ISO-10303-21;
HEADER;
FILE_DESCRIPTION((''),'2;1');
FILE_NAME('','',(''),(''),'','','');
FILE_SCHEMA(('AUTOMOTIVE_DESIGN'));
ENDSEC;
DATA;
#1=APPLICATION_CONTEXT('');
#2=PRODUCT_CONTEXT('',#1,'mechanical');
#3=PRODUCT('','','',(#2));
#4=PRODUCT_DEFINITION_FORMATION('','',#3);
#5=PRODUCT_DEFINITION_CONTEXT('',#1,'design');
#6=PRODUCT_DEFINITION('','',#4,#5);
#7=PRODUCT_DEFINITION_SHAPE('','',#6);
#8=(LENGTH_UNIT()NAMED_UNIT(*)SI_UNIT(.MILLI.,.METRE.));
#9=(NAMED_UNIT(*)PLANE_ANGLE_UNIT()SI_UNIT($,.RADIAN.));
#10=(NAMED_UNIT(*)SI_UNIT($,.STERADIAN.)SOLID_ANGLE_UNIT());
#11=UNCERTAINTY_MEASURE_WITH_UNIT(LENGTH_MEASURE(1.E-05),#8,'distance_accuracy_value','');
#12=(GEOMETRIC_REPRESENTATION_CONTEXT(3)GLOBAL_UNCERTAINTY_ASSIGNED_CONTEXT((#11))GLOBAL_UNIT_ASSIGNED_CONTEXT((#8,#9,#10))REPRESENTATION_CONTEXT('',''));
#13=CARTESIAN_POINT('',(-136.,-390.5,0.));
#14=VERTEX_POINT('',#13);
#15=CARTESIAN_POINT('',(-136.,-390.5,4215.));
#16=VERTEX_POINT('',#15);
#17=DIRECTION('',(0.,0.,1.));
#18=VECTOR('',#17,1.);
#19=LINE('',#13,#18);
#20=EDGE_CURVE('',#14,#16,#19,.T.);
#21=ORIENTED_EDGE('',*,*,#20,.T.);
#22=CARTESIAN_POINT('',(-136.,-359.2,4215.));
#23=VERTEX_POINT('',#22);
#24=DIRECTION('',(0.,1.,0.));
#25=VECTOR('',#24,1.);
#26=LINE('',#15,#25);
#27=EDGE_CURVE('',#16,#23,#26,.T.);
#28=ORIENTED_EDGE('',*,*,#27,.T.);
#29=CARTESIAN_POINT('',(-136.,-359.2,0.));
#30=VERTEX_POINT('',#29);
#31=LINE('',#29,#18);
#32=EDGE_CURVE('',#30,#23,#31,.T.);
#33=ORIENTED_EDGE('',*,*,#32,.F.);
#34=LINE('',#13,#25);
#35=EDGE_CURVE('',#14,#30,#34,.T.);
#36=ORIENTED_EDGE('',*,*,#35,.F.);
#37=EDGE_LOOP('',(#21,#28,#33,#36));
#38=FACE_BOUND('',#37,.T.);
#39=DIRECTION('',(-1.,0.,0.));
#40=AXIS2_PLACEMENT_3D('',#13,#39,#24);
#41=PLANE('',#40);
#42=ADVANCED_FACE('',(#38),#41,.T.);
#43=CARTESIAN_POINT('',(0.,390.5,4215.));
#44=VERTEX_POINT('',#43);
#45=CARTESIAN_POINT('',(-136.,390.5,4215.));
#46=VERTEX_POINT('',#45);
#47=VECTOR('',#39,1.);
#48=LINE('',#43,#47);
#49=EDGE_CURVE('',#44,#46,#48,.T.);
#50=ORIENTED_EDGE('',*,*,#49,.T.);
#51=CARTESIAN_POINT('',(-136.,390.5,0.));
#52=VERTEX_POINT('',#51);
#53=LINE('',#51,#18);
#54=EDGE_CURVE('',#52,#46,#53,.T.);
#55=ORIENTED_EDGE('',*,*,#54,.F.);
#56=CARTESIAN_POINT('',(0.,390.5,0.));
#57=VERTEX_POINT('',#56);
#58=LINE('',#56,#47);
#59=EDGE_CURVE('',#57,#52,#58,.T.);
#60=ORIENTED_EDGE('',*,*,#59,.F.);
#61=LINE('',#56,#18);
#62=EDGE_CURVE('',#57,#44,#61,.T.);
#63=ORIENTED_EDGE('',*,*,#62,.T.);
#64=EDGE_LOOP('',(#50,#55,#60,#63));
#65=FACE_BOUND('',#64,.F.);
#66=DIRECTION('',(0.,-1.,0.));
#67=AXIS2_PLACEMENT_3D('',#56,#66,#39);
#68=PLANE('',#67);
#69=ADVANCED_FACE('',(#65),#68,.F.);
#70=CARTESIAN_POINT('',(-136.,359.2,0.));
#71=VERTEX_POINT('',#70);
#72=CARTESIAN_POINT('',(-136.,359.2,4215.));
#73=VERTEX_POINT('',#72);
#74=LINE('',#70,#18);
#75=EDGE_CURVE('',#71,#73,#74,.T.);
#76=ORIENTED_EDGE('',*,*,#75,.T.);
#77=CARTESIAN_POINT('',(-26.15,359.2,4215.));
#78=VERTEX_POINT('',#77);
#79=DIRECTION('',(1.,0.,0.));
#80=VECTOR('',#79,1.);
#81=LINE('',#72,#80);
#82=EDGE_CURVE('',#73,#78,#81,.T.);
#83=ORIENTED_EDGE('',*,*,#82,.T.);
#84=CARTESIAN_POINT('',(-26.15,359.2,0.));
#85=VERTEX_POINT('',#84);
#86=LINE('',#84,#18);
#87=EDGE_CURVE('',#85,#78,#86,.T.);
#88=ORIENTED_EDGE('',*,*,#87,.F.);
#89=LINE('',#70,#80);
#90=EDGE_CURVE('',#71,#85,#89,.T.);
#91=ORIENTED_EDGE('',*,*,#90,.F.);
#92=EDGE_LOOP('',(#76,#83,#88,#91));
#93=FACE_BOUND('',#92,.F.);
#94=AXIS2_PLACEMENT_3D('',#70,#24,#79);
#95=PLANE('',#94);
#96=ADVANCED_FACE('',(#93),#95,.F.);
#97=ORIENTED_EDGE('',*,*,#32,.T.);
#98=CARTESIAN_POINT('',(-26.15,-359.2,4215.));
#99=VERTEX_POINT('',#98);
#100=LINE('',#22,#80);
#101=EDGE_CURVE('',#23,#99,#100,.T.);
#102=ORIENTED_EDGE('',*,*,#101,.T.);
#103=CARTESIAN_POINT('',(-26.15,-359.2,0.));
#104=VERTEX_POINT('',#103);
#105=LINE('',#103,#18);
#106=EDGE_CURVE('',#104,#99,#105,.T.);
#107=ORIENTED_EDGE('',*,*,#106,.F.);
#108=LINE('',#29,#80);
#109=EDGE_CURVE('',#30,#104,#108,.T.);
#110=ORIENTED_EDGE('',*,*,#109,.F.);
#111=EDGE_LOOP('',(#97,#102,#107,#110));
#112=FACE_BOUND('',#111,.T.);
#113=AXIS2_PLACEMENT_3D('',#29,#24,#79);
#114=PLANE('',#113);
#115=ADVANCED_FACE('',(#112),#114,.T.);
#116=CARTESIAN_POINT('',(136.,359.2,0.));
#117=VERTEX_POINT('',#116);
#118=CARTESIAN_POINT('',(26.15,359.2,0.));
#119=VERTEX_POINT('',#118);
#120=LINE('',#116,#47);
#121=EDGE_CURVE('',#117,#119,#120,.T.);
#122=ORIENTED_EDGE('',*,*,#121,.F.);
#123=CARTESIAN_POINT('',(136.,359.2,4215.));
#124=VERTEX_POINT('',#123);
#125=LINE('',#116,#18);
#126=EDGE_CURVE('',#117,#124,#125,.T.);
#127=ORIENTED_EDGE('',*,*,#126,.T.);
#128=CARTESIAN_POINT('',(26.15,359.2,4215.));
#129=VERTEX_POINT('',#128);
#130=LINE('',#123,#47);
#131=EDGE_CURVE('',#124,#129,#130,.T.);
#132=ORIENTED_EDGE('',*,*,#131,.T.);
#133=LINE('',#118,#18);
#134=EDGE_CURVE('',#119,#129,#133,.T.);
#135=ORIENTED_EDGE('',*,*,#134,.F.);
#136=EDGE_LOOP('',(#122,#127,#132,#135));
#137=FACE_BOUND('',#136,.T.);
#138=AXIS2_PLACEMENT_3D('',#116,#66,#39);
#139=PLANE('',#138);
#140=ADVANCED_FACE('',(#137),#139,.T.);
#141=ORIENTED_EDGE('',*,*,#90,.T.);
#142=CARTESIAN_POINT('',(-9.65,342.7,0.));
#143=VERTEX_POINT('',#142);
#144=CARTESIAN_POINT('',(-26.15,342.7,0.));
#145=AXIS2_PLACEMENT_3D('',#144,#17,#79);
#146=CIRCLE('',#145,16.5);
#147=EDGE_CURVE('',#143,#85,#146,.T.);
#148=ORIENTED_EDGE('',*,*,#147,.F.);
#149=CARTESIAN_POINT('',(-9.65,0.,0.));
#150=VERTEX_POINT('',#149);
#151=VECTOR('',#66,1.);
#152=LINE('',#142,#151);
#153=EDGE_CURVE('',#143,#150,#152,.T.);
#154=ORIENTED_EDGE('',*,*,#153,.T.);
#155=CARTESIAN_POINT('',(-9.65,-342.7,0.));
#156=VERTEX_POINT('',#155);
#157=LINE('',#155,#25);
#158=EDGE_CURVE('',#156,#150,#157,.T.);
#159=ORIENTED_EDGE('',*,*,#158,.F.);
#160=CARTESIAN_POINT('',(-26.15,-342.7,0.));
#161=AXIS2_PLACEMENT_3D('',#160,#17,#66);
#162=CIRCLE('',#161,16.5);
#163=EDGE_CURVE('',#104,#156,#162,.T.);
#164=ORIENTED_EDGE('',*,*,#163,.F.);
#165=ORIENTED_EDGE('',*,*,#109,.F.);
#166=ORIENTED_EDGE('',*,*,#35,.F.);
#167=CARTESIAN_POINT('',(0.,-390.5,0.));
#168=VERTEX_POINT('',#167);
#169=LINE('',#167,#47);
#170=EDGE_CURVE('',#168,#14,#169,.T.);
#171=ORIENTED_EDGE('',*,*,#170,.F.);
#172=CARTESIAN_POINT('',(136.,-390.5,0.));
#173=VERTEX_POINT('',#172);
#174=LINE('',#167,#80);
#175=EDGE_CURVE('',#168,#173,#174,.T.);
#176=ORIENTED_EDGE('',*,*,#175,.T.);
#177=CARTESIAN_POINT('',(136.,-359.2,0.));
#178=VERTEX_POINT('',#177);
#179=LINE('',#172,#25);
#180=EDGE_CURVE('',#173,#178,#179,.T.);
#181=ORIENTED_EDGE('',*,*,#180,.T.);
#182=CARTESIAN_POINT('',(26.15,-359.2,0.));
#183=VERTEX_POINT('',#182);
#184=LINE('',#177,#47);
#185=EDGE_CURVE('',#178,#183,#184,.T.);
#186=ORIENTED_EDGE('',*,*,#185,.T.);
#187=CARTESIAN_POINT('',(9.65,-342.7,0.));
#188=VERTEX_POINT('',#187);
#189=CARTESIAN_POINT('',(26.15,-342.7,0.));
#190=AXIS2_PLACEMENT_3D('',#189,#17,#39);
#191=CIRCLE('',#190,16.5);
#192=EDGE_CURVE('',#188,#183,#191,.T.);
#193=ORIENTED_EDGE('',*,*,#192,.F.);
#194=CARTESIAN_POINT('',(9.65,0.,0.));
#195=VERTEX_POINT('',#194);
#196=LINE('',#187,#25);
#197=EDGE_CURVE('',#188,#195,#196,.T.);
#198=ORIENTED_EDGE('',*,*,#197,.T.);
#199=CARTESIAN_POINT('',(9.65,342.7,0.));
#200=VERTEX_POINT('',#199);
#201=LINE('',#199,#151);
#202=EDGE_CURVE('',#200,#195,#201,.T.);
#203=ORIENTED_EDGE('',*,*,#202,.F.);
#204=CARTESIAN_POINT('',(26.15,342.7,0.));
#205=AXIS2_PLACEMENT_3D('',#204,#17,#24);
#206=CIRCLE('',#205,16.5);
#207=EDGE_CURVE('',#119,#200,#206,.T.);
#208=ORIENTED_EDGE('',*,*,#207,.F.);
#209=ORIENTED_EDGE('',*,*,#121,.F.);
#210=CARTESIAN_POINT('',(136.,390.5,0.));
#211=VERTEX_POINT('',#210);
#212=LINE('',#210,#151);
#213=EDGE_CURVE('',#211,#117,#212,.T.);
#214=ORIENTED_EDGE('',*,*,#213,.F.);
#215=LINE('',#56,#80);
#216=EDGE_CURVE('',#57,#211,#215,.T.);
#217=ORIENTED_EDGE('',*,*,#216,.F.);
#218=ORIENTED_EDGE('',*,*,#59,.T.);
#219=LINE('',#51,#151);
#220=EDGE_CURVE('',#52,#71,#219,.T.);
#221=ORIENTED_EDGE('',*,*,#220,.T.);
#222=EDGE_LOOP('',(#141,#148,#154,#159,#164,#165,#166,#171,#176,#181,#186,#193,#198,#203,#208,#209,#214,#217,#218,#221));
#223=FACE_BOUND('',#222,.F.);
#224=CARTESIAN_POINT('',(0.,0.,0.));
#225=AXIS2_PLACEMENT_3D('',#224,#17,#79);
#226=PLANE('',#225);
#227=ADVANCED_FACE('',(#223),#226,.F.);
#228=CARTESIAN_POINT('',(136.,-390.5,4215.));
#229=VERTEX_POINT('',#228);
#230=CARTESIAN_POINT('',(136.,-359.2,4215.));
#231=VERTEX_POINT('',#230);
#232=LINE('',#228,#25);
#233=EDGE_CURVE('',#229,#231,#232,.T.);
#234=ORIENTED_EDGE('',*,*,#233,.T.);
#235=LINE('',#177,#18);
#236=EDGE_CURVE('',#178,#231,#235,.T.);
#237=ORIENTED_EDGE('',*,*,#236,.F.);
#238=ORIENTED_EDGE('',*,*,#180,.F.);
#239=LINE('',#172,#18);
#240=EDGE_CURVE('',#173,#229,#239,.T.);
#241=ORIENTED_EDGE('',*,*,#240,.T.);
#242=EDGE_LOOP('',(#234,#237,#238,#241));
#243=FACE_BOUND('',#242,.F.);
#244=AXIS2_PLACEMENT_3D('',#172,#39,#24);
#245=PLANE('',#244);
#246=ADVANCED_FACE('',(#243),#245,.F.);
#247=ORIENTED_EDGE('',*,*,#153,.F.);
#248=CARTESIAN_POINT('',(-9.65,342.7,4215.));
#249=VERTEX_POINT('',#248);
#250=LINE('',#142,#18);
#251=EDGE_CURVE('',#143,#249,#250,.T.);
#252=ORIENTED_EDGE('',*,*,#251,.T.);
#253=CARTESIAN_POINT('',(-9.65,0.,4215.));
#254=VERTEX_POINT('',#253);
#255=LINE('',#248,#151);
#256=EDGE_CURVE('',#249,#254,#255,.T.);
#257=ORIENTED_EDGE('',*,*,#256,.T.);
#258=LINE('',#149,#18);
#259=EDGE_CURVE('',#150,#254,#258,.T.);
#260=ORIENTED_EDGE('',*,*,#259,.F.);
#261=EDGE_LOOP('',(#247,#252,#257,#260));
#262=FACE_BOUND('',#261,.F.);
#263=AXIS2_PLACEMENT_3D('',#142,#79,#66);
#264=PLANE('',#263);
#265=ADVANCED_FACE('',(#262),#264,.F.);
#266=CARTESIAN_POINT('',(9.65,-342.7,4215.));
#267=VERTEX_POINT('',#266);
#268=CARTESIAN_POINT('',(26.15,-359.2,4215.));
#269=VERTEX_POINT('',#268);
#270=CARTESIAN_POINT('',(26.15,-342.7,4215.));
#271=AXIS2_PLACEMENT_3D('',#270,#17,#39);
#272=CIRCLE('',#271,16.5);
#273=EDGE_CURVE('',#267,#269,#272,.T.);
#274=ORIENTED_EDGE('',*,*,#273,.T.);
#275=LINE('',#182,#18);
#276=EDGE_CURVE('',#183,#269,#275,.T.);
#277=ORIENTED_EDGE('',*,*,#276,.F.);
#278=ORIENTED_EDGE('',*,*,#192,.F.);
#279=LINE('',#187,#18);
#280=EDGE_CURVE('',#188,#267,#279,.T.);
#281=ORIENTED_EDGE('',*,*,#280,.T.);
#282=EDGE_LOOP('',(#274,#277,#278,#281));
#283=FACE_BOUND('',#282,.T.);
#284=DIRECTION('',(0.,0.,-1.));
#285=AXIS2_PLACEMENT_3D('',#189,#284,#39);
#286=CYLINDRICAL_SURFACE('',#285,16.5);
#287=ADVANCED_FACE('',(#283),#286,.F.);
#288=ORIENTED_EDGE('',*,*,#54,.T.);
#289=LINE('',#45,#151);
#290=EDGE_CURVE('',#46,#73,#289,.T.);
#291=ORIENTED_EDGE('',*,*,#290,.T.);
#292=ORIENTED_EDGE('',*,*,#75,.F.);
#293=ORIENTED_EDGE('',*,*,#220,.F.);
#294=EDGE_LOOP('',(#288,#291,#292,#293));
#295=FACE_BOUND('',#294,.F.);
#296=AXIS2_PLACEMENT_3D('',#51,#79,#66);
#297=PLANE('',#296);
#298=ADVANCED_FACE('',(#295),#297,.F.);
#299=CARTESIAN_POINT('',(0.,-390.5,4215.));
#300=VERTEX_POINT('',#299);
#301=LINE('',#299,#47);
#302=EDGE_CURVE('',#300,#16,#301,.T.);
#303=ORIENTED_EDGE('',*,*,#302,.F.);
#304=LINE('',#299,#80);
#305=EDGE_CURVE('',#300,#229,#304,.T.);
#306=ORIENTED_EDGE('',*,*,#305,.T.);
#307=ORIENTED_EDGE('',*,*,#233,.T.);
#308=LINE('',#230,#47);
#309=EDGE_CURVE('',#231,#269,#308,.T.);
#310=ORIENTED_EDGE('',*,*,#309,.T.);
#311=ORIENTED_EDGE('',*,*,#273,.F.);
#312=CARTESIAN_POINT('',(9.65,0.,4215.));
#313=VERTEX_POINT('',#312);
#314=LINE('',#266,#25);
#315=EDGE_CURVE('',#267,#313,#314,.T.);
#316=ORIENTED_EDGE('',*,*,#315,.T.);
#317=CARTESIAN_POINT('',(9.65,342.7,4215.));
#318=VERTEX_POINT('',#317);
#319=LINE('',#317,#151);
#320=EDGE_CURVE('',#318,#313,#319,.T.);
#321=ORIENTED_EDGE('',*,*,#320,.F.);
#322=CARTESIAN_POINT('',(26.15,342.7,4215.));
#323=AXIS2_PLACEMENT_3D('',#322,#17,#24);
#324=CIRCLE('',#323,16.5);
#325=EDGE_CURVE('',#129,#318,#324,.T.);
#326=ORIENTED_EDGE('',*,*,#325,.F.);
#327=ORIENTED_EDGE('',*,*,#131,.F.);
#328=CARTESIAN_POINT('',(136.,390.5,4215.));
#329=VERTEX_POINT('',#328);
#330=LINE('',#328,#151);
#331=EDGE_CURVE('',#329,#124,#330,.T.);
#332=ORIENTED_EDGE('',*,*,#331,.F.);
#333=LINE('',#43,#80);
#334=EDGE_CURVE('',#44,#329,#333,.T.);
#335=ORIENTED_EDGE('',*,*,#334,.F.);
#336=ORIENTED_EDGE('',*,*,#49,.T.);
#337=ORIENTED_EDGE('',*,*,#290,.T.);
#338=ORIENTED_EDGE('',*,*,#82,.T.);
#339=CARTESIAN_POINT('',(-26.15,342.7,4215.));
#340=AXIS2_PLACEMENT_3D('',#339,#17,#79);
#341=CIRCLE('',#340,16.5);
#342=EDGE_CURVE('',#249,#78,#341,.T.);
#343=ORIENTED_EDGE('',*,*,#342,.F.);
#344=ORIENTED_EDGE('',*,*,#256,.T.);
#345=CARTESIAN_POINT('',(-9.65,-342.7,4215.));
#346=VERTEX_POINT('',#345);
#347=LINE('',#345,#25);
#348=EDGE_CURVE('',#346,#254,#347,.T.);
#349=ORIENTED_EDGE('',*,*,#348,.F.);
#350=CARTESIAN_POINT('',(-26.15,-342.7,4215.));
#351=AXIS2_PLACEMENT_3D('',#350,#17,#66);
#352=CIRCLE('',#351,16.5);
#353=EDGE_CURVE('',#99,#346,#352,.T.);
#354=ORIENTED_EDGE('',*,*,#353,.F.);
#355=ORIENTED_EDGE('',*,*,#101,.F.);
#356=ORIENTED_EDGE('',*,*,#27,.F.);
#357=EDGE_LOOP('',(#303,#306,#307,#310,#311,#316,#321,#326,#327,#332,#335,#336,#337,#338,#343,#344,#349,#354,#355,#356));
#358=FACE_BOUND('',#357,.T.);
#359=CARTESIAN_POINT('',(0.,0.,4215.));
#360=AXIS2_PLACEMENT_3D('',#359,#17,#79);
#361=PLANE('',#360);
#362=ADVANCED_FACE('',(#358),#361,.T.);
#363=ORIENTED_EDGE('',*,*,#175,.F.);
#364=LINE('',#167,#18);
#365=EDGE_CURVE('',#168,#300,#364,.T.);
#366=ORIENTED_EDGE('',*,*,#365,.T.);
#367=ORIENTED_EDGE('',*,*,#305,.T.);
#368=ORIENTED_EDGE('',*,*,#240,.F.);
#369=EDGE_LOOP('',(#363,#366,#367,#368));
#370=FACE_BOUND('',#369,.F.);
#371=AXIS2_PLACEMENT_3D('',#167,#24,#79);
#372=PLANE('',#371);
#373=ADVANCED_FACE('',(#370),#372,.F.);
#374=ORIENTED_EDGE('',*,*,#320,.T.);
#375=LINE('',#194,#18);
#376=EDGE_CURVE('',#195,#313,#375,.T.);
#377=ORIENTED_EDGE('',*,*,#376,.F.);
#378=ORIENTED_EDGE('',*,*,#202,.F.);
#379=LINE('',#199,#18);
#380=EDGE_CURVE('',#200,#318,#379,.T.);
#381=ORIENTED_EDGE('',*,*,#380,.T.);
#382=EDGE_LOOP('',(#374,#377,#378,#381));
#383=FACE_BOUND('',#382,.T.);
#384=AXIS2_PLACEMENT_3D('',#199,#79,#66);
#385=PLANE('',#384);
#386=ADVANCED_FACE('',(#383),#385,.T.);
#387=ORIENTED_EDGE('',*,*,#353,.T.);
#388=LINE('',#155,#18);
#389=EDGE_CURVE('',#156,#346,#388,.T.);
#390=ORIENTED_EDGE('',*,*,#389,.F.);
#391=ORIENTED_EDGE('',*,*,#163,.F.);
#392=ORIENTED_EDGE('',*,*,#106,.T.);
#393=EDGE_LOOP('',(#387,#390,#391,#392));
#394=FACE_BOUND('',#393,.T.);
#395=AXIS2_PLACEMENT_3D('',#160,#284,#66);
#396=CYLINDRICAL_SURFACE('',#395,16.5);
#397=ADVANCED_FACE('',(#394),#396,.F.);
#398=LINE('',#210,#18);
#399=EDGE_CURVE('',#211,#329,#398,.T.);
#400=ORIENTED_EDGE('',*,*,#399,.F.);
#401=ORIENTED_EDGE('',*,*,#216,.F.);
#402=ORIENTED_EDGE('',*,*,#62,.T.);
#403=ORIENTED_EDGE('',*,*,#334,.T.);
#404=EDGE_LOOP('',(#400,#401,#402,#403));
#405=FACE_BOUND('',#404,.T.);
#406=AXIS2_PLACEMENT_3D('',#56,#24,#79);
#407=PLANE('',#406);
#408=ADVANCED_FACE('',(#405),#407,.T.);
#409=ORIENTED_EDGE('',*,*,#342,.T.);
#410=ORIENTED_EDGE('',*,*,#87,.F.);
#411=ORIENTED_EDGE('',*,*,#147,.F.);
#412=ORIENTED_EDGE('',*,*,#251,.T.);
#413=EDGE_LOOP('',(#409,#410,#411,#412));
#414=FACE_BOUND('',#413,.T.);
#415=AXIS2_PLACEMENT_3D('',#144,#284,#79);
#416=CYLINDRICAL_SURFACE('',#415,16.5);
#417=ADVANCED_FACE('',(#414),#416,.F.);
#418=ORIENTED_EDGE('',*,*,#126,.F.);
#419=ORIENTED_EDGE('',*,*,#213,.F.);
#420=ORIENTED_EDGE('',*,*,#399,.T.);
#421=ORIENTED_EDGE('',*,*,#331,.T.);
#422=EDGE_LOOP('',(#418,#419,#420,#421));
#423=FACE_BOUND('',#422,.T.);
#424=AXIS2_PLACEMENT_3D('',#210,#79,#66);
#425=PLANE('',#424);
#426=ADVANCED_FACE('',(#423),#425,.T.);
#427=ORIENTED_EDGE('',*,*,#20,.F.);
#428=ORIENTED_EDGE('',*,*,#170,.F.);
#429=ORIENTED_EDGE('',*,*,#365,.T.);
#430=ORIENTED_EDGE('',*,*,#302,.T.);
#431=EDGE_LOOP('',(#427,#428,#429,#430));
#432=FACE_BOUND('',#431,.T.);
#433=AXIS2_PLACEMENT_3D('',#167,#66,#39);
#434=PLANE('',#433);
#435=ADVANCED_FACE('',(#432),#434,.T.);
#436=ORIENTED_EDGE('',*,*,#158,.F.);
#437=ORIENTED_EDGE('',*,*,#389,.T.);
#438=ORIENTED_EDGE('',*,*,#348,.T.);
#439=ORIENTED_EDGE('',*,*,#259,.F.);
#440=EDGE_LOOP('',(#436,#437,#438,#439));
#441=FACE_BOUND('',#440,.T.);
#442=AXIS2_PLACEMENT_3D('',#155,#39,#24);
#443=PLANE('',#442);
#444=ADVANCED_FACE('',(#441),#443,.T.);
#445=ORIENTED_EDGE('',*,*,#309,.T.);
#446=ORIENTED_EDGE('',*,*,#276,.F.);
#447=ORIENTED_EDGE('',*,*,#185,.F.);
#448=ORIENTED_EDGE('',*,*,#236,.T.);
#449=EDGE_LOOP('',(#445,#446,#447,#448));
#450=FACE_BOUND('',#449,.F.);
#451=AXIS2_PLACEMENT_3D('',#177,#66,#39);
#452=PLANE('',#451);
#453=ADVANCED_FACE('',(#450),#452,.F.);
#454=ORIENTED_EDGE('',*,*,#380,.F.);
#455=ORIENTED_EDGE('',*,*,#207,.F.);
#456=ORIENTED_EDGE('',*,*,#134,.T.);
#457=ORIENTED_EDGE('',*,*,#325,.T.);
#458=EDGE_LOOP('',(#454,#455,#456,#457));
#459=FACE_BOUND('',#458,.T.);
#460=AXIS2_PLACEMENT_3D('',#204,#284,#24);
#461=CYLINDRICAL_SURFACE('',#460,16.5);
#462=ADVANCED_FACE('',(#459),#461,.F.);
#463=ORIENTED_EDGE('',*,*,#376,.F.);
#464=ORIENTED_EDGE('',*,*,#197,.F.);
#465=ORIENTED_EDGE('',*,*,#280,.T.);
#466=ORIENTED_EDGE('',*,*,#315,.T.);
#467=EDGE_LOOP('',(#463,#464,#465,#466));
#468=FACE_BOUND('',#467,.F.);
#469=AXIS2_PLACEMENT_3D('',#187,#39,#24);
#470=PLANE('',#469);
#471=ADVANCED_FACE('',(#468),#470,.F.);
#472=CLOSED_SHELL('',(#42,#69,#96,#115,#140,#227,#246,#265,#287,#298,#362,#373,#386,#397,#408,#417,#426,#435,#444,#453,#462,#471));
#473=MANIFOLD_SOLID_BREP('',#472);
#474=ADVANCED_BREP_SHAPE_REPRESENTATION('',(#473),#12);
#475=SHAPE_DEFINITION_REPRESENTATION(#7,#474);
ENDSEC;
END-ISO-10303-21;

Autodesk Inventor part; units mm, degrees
ref_plane "YZ Plane" through (0, 0, 0) normal (1, 0, 0) x (0, 1, 0)
ref_plane "Start plane" through (0, 0, 0) normal (0, 0, 1) x (1, 0, 0)
ref_plane "End plane" through (0, 0, 4215) normal (0, 0, 1) x (1, 0, 0)
sketch "Sketch" plane through (0, 0, 0) normal (0, 0, 1) x (1, 0, 0)
  line L0 (-136, -390.5) -> (-136, -359.2)
  line L1 (-136, -359.2) -> (-26.15, -359.2)
  line L2 (-9.65, -342.7) -> (-9.65, 0)
  line L3 (-9.65, 0) -> (0, 0) construction
  line L4 (0, 0) -> (0, -390.5) construction
  line L5 (0, -390.5) -> (-136, -390.5)
  line L6 (-60, 0) -> (80, 0) construction
  line L7 (0, -60) -> (0, 80) construction
  line L8 (136, -390.5) -> (136, -359.2)
  line L9 (136, -359.2) -> (26.15, -359.2)
  line L10 (9.65, -342.7) -> (9.65, 0)
  line L11 (9.65, 0) -> (0, 0) construction
  line L12 (0, -390.5) -> (136, -390.5)
  line L13 (-136, 390.5) -> (-136, 359.2)
  line L14 (-136, 359.2) -> (-26.15, 359.2)
  line L15 (-9.65, 342.7) -> (-9.65, 0)
  line L16 (0, 390.5) -> (-136, 390.5)
  line L17 (136, 390.5) -> (136, 359.2)
  line L18 (136, 359.2) -> (26.15, 359.2)
  line L19 (0, 390.5) -> (136, 390.5)
  line L20 (9.65, 342.7) -> (9.65, 0)
  arc A0 (-9.65, 342.7) -> (-26.15, 359.2) centre (-26.15, 342.7) ccw
  arc A1 (26.15, 359.2) -> (9.65, 342.7) centre (26.15, 342.7) ccw
  arc A2 (9.65, -342.7) -> (26.15, -359.2) centre (26.15, -342.7) ccw
  arc A3 (-26.15, -359.2) -> (-9.65, -342.7) centre (-26.15, -342.7) ccw
  line L21 (0, 108) -> (0, -88) construction
  line L22 (-88, 0) -> (108, 0) construction
  point P0 (-9.65, -359.2)
  point P1 (9.65, -359.2)
  point P2 (-9.65, 359.2)
  point P3 (9.65, 359.2)
  dimension "d1" = 390.5
  dimension "d2" = 31.3
  dimension "d3" = 136
  dimension "d4" = 9.65
  dimension "d10" = 16.5
extrude "Body" add sketch "Sketch" along normal up to surface (4215 mm away) from surface at 0
sketch "Sketch4" plane through (0, 0, 0) normal (0, 0, 1) x (1, 0, 0)
  line L0 (0, 0) -> (10, 0)
ref_plane "Work Plane3" through (0, 0, 0) normal (0, -1, 0) x (1, 0, 0)
sketch "Sketch5" plane through (0, 0, 0) normal (0, -1, 0) x (1, 0, 0)
  line L0 (-2, 0) -> (12, 0) projected
  line L1 (-2, 4215) -> (12, 4215) projected
  dimension "d14" = 4215
equation "\"d1\" = 0.5 * G_H"
equation "\"d2\" = G_T1"
equation "\"d3\" = 0.5 * G_W"
equation "\"d4\" = 0.5 * G_T"
equation "\"d10\" = G_IR"
equation "\"d5\" = G_L"
equation "\"G_W\" = 272"
equation "\"G_H\" = 781"
equation "\"G_T\" = 19.3"
equation "\"G_T1\" = 31.3"
equation "\"G_IR\" = 16.5"
equation "\"G_L\" = d14"
equation "\"G_OFFSET_START\" = 0"
equation "\"G_OFFSET_END\" = 0"
equation "\"d12\" = G_OFFSET_END + B_L"
equation "\"B_L\" = 4215"
properties part number "AS 3679-1990 - 760 UB - 244 - 4215" material "Steel, Mild"
